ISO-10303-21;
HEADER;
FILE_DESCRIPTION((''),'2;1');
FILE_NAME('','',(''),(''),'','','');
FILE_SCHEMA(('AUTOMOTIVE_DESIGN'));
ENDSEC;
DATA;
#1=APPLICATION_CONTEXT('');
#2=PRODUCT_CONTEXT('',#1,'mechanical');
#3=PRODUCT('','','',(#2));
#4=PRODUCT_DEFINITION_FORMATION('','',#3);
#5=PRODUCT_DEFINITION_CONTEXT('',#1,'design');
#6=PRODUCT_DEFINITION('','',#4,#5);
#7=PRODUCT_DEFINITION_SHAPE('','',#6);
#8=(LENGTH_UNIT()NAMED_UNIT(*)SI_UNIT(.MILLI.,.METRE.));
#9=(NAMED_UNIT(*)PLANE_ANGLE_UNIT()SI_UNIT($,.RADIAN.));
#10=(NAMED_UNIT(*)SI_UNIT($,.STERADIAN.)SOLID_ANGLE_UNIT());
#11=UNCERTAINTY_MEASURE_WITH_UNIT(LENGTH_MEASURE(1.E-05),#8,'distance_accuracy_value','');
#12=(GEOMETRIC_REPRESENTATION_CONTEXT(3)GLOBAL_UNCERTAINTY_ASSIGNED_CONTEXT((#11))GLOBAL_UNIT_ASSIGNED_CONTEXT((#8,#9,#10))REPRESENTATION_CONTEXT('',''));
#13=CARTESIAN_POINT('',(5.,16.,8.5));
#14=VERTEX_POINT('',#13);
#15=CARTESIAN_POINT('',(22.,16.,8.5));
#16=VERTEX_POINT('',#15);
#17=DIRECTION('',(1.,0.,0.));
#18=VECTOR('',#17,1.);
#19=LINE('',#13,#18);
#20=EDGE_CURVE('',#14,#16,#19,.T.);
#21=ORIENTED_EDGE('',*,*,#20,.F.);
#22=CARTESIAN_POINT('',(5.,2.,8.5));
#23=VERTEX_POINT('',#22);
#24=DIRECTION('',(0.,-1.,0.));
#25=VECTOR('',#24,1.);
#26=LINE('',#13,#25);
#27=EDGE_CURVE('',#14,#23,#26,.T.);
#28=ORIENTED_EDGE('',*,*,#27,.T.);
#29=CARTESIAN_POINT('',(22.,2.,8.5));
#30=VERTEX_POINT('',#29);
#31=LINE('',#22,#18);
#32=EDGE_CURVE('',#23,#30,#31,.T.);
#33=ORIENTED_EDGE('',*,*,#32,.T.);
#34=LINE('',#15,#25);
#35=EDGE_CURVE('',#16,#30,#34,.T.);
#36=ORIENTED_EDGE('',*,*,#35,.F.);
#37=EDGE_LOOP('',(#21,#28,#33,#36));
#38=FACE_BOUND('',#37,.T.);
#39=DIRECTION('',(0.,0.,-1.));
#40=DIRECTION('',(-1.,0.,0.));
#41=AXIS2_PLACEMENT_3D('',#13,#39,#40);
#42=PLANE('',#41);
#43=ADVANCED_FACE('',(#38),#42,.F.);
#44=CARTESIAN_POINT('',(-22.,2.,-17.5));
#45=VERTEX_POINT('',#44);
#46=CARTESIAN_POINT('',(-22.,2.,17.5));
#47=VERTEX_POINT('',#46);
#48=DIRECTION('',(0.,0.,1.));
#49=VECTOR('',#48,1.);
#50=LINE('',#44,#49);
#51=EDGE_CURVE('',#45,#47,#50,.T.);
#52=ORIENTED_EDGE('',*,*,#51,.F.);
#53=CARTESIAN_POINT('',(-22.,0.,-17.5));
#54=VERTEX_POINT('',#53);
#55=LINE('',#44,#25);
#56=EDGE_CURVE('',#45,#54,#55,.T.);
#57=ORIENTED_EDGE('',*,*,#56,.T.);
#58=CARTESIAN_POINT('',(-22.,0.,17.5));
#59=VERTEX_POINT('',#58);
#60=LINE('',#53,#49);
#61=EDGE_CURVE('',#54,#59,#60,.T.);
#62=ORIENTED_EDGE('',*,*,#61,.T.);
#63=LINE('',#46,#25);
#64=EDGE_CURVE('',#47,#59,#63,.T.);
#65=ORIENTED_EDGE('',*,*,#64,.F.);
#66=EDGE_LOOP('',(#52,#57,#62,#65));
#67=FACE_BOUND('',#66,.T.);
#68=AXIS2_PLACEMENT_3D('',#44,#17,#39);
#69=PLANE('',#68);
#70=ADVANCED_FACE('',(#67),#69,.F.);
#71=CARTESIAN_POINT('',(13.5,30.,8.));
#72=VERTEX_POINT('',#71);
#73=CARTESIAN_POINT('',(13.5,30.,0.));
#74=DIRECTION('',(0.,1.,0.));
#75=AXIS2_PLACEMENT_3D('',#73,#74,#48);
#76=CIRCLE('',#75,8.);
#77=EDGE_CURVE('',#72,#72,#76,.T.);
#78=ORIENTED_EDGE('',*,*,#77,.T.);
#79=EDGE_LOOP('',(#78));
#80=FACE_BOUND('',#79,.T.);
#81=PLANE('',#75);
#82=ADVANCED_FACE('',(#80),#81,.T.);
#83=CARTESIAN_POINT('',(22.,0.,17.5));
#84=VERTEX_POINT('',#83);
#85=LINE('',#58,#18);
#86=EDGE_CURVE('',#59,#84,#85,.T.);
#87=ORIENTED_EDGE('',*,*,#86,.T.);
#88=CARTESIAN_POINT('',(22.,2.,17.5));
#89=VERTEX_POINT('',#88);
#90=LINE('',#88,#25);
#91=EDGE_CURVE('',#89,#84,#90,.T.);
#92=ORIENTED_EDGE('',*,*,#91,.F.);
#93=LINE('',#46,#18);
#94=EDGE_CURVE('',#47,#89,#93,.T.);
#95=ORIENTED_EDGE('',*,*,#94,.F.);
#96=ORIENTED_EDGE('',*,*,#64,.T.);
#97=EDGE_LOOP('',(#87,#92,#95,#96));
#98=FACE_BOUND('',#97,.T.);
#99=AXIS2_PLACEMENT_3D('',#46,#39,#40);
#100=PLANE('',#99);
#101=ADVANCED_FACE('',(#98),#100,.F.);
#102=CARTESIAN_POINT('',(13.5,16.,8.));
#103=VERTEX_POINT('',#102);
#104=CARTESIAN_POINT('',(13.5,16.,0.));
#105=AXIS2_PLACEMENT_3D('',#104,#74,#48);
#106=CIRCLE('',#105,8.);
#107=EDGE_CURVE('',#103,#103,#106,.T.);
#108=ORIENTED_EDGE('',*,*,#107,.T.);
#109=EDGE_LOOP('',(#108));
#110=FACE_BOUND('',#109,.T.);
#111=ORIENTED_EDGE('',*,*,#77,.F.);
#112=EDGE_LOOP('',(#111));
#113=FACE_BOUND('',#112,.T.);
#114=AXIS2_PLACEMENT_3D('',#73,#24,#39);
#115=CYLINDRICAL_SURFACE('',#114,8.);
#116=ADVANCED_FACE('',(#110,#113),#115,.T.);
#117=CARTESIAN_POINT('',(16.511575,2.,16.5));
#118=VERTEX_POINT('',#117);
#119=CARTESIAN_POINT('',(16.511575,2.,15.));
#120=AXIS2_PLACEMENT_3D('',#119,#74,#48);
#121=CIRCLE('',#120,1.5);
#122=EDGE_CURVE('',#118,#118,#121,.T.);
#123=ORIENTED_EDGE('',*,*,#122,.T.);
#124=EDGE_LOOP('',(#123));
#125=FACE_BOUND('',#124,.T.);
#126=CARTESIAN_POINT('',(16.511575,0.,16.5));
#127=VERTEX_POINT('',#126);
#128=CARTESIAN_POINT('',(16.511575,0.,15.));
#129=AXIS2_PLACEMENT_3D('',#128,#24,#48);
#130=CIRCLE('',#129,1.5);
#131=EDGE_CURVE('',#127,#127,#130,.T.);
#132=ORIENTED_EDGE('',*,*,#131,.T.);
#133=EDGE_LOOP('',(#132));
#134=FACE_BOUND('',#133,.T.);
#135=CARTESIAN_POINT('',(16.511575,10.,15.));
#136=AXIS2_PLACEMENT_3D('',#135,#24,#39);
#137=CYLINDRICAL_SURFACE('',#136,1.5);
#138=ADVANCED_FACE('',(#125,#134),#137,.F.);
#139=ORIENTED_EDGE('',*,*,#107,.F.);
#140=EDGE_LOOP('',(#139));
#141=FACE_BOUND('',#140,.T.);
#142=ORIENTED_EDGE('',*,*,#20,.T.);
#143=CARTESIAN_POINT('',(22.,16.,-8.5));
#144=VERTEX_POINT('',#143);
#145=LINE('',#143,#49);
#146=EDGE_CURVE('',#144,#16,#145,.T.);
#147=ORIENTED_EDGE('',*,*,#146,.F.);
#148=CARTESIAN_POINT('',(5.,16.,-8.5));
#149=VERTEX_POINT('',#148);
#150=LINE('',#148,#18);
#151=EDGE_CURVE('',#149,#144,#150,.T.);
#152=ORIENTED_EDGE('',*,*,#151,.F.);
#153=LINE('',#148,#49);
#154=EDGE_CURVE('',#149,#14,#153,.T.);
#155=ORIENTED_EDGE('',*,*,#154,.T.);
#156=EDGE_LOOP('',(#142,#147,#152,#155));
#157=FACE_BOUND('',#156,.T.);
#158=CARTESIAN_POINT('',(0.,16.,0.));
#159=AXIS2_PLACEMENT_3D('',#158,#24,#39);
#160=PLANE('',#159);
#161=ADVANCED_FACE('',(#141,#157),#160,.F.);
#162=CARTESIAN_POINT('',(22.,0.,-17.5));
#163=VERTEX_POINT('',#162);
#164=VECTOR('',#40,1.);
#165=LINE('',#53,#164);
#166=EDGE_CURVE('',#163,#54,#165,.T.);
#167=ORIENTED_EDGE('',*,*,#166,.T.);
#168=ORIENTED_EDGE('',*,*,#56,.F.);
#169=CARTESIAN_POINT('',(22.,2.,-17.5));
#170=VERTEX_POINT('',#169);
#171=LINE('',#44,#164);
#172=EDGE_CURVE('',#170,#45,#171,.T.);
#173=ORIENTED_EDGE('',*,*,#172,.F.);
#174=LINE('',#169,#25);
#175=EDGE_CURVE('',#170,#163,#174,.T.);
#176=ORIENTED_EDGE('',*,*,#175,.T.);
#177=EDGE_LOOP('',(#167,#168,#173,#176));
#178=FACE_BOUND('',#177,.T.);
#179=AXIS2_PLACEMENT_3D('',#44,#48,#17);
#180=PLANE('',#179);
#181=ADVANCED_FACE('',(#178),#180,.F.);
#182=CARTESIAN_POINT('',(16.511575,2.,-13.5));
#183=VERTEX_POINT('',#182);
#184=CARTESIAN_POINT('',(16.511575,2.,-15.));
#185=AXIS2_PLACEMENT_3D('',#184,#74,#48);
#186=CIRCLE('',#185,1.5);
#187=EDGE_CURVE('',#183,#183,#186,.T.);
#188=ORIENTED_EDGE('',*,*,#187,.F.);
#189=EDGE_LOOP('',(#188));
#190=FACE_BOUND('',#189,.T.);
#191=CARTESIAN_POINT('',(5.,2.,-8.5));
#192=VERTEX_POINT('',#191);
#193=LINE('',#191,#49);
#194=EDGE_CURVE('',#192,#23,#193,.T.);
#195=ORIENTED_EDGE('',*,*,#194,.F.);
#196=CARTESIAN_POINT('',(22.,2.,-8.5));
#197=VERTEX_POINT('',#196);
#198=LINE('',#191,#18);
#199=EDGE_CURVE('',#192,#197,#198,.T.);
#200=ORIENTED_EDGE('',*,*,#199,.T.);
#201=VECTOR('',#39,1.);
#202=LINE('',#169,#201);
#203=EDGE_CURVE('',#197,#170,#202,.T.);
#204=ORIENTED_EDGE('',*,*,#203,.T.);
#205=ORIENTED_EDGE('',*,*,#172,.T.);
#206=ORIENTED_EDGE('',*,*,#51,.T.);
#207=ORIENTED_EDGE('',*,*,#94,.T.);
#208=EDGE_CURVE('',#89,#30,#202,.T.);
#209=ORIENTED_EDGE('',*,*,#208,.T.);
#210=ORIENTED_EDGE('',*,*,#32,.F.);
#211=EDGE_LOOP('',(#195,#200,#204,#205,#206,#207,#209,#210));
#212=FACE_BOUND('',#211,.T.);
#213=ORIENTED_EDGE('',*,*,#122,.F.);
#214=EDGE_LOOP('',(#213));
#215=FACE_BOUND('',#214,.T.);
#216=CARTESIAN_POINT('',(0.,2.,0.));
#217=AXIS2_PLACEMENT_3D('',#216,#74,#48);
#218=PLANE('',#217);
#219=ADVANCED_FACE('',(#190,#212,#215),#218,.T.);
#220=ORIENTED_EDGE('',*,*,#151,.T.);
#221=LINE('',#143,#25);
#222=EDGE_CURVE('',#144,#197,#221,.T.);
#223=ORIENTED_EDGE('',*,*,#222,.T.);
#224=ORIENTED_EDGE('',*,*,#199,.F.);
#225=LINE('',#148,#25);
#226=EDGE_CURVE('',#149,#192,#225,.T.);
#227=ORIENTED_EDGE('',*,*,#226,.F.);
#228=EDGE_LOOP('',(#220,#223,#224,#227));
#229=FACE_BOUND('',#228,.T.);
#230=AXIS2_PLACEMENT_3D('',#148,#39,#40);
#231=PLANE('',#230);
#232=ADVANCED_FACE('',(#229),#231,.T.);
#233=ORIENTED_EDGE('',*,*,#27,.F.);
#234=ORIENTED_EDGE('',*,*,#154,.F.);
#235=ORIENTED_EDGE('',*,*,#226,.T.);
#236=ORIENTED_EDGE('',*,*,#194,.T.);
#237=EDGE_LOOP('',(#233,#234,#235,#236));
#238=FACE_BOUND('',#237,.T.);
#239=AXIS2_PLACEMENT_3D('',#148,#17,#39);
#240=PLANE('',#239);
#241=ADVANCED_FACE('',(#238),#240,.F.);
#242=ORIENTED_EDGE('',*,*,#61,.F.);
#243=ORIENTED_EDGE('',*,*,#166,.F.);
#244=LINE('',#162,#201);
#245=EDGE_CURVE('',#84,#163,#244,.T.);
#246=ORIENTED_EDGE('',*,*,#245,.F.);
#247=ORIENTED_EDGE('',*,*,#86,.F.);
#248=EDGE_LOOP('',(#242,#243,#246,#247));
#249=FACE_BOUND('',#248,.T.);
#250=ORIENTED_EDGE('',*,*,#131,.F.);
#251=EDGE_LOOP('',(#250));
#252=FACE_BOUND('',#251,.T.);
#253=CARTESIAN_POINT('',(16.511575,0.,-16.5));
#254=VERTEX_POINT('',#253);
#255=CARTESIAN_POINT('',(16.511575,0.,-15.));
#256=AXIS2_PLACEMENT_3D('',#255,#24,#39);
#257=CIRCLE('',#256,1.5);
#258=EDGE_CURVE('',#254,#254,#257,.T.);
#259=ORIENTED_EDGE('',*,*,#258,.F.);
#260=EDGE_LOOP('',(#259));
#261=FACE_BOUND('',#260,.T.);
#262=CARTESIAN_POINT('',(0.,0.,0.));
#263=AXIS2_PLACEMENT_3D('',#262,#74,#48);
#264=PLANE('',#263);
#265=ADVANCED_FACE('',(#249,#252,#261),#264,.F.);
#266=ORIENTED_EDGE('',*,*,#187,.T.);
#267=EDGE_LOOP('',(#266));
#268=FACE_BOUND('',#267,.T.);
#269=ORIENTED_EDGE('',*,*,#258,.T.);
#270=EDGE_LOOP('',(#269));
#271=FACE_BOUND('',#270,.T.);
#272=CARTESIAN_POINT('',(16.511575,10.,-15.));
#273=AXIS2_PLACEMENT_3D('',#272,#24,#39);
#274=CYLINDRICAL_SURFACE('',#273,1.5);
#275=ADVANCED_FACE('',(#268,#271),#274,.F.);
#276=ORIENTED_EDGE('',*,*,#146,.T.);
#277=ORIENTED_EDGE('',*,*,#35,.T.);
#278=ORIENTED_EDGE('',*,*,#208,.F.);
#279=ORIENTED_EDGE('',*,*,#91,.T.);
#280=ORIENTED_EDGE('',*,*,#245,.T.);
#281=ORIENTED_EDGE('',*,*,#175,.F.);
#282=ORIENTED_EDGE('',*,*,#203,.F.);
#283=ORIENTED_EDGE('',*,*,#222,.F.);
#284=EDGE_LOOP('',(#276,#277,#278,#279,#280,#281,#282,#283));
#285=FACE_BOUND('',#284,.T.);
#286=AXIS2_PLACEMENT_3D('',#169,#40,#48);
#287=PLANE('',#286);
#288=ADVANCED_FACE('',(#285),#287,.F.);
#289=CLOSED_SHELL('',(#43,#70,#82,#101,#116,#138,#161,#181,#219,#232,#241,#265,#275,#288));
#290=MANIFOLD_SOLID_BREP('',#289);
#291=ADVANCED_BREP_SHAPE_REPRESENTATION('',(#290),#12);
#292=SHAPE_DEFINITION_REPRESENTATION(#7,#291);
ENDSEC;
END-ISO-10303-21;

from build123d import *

# Parameters (mm, degrees)
SKETCH_1_W          = 44
SKETCH_1_H          = 35
EXTRUDE_1_DEPTH     = 2
SKETCH_2_W          = 17
SKETCH_2_H          = 17
EXTRUDE_2_DEPTH     = 14
SKETCH_3_R          = 8
EXTRUDE_3_DEPTH     = 14
SKETCH_4_R          = 1.5
CUT_EXTRUDE_1_DEPTH = 10


with BuildPart() as part:
    # 草图1 → 凸台-拉伸1 (new body)
    with BuildSketch(Plane(origin=(0, 0, 0), x_dir=(1, 0, 0), z_dir=(0, 1, 0))):
        Rectangle(SKETCH_1_W, SKETCH_1_H)
    extrude(amount=EXTRUDE_1_DEPTH)

    # 草图2 → 凸台-拉伸2 (add)
    with BuildSketch(Plane(origin=(0, 2, 0), x_dir=(1, 0, 0), z_dir=(0, 1, 0))):
        with Locations((13.5, 0)):
            Rectangle(SKETCH_2_W, SKETCH_2_H)
    extrude(amount=EXTRUDE_2_DEPTH)

    # 草图3 → 凸台-拉伸3 (add)
    with BuildSketch(Plane(origin=(0, 16, 0), x_dir=(1, 0, 0), z_dir=(0, 1, 0))):
        with Locations(Location((13.5, 0, 0), (0, 0, 270))):
            Circle(SKETCH_3_R)
    extrude(amount=EXTRUDE_3_DEPTH)

    # 草图4 → 切除-拉伸1 (cut)
    with BuildSketch(Plane.XZ):
        with Locations(Location((16.511574999, -15, 0), (0, 0, 270))):
            Circle(SKETCH_4_R)
        with Locations(Location((16.511574999, 15, 0), (0, 0, 90))):
            Circle(SKETCH_4_R)
    extrude(amount=-CUT_EXTRUDE_1_DEPTH, mode=Mode.SUBTRACT)


solid = part.part
